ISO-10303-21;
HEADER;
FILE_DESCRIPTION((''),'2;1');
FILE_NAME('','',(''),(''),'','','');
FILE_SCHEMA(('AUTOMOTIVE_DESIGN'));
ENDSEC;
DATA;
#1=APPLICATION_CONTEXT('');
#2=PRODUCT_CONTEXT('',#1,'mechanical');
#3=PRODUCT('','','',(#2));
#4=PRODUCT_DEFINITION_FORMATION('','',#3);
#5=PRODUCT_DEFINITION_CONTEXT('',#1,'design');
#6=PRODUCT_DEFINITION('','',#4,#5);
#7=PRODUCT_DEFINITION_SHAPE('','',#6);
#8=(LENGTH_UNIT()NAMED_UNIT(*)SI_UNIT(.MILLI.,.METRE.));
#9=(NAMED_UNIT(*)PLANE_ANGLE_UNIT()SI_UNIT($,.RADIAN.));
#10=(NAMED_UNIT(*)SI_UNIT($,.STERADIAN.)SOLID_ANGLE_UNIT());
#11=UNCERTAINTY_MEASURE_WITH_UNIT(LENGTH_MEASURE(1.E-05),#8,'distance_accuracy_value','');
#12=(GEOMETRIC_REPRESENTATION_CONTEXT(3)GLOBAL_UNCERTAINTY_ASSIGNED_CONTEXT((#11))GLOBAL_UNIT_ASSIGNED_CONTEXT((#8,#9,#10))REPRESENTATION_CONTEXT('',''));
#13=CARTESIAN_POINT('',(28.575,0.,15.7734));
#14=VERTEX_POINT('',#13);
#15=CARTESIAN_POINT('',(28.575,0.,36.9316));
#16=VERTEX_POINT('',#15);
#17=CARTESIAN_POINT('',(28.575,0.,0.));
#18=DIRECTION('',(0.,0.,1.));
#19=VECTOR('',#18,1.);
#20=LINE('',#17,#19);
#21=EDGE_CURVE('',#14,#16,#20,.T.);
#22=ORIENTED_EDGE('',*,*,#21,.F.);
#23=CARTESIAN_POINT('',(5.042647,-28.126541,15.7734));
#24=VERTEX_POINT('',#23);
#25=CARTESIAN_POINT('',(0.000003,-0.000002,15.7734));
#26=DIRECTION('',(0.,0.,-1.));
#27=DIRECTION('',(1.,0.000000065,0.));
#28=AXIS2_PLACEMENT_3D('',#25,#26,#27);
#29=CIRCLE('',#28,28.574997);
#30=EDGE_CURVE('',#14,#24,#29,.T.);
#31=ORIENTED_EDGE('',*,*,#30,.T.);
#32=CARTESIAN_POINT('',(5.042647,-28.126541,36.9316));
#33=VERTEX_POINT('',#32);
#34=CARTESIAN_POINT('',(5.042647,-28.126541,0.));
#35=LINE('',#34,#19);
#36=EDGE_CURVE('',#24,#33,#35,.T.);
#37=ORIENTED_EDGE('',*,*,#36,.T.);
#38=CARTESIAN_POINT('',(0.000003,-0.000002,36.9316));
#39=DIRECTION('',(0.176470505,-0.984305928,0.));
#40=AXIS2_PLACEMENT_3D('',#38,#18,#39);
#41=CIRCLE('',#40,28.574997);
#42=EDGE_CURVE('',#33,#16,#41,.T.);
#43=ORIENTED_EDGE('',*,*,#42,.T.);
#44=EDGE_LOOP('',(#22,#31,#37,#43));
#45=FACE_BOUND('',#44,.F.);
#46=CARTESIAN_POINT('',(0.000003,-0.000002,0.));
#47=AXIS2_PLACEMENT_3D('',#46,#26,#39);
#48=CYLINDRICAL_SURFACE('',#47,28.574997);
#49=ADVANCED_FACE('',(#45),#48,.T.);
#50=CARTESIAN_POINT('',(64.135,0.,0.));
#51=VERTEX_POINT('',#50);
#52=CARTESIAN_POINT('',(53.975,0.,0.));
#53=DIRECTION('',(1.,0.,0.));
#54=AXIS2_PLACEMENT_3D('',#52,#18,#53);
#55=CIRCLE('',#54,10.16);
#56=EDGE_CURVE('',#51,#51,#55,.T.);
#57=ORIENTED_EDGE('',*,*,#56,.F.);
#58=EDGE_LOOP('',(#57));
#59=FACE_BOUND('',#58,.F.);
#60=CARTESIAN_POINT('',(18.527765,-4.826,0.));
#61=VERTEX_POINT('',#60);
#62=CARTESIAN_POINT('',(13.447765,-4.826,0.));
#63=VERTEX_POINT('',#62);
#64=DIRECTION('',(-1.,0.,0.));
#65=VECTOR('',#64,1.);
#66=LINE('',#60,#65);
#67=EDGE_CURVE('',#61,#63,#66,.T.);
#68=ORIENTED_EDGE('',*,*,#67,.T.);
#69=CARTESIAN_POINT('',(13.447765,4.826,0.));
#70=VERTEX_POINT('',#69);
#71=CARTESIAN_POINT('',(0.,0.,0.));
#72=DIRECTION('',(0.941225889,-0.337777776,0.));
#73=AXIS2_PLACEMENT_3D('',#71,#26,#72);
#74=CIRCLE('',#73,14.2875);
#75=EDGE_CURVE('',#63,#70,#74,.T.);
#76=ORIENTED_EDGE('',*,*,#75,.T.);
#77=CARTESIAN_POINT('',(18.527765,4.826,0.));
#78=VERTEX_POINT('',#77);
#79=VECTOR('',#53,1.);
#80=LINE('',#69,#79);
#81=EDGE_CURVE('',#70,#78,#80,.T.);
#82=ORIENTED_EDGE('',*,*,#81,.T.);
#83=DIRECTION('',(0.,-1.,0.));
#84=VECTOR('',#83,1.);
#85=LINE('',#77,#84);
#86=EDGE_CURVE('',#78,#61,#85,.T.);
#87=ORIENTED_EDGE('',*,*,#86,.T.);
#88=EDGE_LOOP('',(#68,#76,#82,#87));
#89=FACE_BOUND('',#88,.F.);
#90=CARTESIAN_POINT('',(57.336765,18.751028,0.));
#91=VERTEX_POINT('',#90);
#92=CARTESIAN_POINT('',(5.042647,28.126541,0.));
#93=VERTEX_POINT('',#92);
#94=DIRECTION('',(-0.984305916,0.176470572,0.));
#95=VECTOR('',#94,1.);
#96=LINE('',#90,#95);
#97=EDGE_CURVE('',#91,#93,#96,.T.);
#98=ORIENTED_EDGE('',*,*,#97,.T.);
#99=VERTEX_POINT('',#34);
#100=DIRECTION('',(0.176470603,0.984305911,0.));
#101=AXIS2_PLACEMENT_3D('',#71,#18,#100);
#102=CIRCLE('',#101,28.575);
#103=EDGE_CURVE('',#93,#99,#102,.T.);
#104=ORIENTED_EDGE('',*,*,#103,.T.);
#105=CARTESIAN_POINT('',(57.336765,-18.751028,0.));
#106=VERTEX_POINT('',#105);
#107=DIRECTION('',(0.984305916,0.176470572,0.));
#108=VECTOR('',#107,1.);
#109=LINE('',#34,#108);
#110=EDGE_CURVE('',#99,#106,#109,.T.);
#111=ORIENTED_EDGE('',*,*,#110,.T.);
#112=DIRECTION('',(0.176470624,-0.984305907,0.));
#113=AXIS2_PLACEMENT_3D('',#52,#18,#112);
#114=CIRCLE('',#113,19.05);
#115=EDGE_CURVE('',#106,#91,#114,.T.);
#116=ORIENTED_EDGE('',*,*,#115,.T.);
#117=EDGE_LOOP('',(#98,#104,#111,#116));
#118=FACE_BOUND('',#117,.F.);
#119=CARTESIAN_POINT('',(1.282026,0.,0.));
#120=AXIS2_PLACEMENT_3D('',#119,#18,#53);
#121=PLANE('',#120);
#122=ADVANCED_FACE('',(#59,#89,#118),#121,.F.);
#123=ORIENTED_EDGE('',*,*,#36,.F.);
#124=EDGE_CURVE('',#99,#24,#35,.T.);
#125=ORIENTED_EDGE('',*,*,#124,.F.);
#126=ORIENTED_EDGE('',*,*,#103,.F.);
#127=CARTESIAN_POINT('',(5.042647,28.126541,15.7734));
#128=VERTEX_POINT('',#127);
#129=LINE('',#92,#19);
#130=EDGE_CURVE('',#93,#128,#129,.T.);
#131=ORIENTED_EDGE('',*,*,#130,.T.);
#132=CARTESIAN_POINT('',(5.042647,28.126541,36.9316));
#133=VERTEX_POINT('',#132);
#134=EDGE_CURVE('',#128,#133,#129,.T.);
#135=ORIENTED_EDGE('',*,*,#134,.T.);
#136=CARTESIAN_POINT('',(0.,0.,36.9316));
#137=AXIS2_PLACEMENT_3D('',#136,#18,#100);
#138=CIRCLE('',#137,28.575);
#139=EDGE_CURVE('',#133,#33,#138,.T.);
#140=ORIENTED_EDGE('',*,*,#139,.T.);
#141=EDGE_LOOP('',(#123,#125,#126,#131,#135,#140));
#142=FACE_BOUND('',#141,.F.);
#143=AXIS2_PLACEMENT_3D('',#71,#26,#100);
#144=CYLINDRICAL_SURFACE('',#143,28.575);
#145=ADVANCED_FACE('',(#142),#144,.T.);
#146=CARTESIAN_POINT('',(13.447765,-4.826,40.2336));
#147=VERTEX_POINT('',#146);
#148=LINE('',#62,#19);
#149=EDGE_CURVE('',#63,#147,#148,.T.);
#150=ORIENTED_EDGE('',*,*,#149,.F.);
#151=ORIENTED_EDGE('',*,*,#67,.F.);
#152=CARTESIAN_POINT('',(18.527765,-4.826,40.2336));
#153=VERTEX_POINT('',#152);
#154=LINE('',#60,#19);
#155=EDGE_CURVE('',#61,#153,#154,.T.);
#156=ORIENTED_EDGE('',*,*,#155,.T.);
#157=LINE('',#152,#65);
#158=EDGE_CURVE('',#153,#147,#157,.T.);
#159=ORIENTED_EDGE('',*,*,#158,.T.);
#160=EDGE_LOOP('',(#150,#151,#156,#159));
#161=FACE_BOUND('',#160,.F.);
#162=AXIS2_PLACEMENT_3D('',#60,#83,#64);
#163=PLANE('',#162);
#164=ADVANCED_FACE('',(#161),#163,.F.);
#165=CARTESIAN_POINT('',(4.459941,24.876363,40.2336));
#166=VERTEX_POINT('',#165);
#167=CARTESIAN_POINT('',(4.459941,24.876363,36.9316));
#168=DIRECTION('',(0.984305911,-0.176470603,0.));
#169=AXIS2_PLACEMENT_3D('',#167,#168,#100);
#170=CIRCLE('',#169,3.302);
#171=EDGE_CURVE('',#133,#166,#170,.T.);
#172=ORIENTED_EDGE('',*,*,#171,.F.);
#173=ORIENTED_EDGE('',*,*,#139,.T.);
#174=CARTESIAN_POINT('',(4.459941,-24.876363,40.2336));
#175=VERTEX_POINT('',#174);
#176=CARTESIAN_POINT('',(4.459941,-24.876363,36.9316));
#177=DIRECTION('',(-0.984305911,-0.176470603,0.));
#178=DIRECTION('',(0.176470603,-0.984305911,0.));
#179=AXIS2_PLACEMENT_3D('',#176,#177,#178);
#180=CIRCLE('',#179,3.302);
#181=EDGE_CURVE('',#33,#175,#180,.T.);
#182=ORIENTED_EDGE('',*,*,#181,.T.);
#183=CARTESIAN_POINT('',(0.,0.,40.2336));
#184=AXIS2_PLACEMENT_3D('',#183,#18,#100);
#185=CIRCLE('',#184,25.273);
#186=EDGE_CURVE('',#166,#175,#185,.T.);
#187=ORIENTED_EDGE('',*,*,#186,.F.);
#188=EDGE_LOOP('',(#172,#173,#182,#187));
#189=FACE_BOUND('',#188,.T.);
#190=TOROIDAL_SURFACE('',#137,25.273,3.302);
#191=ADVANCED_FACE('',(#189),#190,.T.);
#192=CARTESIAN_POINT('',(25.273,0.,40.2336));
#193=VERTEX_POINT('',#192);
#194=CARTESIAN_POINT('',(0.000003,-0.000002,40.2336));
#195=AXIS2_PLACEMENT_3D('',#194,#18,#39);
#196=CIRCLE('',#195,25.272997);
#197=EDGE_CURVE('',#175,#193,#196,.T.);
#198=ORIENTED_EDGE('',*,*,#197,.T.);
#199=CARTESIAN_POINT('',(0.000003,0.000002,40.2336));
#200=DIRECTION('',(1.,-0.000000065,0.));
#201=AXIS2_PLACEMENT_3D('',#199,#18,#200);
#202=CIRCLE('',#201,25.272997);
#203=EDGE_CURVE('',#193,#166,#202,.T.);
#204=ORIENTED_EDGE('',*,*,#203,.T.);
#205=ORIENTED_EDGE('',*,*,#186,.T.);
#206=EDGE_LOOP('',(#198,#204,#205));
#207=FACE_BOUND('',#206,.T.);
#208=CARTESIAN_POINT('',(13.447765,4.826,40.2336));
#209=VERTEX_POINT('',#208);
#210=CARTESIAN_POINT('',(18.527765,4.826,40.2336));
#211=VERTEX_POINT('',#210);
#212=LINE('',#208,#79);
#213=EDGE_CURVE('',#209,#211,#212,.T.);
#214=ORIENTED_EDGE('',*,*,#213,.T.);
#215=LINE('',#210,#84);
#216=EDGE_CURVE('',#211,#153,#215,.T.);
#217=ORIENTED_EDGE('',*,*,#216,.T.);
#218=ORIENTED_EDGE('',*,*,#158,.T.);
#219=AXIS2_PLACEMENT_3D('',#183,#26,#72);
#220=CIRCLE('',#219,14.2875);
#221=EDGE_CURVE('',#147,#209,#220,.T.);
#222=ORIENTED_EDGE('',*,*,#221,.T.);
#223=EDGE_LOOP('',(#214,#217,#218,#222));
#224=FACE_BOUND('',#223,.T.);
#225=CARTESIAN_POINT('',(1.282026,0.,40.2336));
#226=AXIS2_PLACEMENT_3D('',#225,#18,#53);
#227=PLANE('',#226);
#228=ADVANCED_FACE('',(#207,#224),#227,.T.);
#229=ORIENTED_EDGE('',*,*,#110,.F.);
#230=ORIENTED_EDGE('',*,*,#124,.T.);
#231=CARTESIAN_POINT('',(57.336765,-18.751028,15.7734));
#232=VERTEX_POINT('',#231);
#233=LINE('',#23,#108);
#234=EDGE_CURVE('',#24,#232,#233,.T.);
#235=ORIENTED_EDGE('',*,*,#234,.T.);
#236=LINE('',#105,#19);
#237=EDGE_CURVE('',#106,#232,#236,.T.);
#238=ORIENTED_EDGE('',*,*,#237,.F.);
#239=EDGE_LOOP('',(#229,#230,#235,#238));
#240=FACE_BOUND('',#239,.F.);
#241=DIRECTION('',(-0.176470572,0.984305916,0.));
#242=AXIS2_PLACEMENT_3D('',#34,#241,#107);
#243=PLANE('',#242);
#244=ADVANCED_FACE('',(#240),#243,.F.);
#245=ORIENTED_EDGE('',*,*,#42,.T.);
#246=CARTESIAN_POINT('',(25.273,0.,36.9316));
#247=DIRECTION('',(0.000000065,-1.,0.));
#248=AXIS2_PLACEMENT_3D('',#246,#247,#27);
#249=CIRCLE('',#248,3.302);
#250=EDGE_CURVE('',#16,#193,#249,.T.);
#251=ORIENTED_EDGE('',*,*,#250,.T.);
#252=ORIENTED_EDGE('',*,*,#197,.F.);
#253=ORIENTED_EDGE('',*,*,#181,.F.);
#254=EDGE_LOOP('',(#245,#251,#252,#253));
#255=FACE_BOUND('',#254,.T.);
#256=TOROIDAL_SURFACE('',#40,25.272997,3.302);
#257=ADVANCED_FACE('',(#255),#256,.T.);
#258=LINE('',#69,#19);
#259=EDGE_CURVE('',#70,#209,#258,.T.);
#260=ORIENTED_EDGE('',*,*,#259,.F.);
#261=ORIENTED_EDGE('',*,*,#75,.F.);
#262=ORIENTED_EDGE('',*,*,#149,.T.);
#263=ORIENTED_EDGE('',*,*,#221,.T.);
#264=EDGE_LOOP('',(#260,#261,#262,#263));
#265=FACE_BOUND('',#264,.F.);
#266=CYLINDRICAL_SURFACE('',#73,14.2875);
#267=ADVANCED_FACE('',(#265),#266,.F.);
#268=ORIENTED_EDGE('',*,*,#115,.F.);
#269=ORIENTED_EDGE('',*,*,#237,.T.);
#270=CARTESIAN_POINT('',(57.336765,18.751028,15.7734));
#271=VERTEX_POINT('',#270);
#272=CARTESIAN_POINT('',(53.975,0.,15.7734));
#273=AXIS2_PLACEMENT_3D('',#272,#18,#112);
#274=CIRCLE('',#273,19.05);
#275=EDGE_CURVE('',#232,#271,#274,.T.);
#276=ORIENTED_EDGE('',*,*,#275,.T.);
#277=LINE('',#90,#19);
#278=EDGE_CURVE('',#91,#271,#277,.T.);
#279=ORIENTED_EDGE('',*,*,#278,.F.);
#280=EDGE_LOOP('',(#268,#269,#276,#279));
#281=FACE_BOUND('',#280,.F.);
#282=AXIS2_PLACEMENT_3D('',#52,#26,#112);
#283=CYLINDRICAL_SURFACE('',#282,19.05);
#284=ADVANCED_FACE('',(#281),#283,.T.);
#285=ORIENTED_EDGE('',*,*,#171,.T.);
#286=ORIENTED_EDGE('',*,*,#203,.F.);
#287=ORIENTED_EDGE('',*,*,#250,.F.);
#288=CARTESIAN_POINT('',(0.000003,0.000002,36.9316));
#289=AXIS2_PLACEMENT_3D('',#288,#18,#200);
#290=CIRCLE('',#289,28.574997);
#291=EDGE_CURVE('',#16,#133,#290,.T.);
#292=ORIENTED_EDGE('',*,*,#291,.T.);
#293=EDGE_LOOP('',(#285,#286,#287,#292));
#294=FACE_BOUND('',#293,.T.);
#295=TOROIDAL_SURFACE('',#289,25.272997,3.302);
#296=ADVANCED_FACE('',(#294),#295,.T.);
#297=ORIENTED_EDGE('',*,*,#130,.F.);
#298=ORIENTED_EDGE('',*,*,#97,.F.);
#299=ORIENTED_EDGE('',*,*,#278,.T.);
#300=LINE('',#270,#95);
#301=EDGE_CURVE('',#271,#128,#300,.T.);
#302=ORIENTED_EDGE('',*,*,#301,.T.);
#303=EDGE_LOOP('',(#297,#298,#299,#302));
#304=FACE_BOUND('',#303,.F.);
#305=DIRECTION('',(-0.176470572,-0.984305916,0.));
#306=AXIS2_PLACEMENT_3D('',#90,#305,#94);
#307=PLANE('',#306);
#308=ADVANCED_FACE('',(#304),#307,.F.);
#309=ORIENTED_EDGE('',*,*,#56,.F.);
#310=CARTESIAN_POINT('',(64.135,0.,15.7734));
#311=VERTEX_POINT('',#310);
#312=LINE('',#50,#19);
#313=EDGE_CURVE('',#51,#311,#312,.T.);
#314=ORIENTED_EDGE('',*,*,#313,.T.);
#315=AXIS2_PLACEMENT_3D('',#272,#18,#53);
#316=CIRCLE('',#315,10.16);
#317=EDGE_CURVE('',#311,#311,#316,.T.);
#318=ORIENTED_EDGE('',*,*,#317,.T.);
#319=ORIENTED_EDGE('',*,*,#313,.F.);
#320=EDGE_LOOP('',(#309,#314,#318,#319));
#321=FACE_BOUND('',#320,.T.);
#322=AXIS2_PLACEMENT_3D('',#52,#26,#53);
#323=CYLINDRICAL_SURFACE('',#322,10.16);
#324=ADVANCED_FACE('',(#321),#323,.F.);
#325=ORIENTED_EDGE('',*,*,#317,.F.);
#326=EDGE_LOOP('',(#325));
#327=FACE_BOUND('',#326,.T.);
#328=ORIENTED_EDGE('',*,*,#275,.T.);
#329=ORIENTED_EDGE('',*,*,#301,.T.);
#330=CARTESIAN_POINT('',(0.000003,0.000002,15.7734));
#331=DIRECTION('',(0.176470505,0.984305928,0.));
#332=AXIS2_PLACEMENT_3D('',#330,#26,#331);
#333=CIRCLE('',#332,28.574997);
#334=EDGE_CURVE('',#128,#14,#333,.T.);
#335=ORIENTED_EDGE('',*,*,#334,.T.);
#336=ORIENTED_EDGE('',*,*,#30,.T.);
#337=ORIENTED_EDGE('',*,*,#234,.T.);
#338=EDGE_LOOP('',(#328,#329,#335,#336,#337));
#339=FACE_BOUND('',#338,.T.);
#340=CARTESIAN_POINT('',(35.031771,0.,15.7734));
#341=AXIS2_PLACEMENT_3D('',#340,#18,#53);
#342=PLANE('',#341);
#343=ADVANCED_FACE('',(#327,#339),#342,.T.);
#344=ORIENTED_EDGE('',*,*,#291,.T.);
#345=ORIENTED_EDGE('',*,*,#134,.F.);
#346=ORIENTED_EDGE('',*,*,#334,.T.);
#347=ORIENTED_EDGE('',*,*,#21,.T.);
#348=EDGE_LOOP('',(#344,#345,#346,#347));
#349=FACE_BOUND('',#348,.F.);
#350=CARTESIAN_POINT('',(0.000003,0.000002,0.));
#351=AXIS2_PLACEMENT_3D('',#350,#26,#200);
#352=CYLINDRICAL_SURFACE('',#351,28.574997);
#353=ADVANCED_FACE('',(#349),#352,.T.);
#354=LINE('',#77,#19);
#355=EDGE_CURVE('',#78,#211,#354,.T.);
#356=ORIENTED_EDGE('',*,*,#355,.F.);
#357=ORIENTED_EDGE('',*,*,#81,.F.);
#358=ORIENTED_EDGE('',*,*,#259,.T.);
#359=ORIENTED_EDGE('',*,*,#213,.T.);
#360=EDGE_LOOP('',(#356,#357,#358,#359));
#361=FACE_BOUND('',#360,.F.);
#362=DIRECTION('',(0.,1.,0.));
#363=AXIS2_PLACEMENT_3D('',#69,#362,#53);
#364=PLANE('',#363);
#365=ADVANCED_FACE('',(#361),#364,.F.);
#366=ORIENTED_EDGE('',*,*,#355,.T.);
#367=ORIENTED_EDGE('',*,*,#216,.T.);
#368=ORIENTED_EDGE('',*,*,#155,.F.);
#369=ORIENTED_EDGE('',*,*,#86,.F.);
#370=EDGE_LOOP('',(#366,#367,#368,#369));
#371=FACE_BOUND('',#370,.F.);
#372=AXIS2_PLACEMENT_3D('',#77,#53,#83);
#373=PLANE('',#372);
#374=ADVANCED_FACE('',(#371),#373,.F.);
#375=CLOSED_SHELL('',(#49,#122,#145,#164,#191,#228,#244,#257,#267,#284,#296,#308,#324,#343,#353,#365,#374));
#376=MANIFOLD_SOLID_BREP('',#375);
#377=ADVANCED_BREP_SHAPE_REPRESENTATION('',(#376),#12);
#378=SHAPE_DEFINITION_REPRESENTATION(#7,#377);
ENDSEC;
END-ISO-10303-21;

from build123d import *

# Parameters (mm, degrees)
F0_R     = 10.16
F1_DEPTH = 15.7734
F2_DEPTH = 40.2336
F3_R     = 3.302


with BuildPart() as f1:
    # F0 (on Top) → F1 (new body)
    with BuildSketch(Plane.XY):
        with BuildLine():
            Line((5.042647, -28.126541), (57.336765, -18.751028))
            ThreePointArc((57.336765, -18.751028), (73.025, 0), (57.336765, 18.751028))
            Line((57.336765, 18.751028), (5.042647, 28.126541))
            ThreePointArc((5.042647, 28.126541), (21.916025, 18.336262), (28.575, 0))
            ThreePointArc((28.575, 0), (21.916025, -18.336262), (5.042647, -28.126541))
        make_face()
        with Locations((53.975, 0)):
            Circle(F0_R, mode=Mode.SUBTRACT)
    extrude(amount=F1_DEPTH)

    # F0 (on Top) → F2 (join)
    with BuildSketch(Plane.XY):
        with BuildLine():
            ThreePointArc((5.042647, 28.126541), (-28.575, 0), (5.042647, -28.126541))
            ThreePointArc((5.042647, -28.126541), (21.916025, -18.336262), (28.575, 0))
            ThreePointArc((28.575, 0), (21.916025, 18.336262), (5.042647, 28.126541))
        make_face()
        with BuildLine():
            ThreePointArc((13.447765, -4.826), (-14.2875, 0), (13.447765, 4.826))
            Line((13.447765, 4.826), (18.527765, 4.826))
            Line((18.527765, 4.826), (18.527765, -4.826))
            Line((18.527765, -4.826), (13.447765, -4.826))
        make_face(mode=Mode.SUBTRACT)
    extrude(amount=F2_DEPTH)

    # F3
    f3_edges = [f1.edges().sort_by_distance(p)[0] for p in [
        (-5.042647, 28.126541, 40.2336),
    ]]
    fillet(f3_edges, radius=F3_R)


solid = f1.part
